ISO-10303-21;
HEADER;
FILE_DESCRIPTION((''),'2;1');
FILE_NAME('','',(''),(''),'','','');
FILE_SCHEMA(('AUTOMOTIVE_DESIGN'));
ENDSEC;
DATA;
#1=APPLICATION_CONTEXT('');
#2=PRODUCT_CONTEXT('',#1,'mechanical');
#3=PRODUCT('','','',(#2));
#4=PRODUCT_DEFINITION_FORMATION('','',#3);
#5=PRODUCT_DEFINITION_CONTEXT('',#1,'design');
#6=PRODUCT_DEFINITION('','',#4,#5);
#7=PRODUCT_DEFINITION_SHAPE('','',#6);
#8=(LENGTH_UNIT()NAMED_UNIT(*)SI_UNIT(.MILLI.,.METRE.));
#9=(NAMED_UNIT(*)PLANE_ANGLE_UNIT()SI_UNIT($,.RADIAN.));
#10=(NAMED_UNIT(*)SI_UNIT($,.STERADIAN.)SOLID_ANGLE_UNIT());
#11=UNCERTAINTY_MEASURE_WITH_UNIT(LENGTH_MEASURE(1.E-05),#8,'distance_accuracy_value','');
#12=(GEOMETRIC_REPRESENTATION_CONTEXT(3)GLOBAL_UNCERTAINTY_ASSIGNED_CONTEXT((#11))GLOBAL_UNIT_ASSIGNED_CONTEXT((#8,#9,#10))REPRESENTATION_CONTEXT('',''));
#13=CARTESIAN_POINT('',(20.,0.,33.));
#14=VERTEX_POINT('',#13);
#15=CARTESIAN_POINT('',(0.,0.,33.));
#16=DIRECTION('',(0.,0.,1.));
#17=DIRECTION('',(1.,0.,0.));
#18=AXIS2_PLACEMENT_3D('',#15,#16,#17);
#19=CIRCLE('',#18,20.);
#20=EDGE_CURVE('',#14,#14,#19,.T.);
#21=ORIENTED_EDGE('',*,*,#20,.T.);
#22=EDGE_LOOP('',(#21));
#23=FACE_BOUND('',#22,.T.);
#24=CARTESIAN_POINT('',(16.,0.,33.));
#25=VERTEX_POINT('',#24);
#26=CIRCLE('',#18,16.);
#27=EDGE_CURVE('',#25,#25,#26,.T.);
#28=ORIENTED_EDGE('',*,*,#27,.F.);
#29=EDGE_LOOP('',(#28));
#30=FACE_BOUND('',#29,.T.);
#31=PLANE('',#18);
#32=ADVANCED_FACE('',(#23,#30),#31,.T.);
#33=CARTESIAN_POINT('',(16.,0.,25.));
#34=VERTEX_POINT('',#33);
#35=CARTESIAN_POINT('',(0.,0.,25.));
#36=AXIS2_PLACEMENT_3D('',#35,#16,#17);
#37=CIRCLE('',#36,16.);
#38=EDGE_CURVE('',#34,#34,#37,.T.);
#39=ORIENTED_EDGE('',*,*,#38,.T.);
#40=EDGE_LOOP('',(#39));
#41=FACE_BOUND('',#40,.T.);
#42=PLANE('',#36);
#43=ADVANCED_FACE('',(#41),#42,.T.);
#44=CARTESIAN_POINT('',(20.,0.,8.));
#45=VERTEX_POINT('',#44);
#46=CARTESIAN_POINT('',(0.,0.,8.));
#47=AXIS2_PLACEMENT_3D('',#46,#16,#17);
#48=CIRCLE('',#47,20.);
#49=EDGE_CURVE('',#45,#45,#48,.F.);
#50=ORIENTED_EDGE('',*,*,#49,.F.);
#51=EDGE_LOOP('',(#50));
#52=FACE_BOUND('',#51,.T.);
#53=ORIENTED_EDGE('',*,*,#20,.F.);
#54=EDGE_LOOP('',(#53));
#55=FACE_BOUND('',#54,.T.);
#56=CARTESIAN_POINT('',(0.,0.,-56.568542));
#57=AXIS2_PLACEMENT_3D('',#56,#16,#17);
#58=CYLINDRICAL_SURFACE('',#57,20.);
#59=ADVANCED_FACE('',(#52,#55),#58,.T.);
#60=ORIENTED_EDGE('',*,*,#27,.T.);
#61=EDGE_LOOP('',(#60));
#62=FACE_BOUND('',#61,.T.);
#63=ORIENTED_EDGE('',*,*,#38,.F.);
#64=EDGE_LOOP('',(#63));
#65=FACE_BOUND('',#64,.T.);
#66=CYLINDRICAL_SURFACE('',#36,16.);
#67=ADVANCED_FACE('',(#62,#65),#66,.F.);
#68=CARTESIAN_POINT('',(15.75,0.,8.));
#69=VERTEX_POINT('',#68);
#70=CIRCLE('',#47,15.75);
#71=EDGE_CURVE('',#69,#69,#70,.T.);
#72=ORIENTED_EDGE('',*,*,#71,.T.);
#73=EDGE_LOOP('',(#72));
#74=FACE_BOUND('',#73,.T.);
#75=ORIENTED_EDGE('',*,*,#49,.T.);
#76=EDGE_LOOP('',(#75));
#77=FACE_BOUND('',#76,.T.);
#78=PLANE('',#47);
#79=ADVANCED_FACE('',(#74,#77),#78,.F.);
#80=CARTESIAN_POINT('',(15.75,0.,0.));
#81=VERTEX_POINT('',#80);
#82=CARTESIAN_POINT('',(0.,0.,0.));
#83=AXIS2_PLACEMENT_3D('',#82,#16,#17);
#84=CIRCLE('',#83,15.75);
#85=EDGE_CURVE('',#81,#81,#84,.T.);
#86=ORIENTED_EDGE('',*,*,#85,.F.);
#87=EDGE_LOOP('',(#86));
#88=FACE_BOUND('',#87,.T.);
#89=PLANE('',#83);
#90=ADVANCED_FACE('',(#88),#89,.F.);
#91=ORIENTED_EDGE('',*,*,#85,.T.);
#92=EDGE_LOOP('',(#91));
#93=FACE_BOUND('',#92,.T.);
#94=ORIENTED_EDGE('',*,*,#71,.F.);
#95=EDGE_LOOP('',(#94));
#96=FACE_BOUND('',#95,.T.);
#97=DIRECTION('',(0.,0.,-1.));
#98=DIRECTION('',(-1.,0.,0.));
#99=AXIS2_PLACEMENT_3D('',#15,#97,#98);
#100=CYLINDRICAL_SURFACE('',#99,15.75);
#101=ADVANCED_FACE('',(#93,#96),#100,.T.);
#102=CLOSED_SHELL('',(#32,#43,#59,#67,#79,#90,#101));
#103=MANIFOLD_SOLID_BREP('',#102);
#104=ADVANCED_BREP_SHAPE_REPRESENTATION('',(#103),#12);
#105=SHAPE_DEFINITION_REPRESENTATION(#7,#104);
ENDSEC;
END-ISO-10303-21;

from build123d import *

# Parameters (mm, degrees)
SKETCH1_R           = 15.75
BOSS_EXTRUDE1_DEPTH = 33
SKETCH2_R           = 20
BOSS_EXTRUDE2_DEPTH = 25
SKETCH3_R           = 16
CUT_EXTRUDE1_DEPTH  = 8


with BuildPart() as part:
    # Sketch1 → Boss-Extrude1 (new body)
    with BuildSketch(Plane.XY):
        Circle(SKETCH1_R)
    extrude(amount=BOSS_EXTRUDE1_DEPTH)

    # Sketch2 → Boss-Extrude2 (add)
    with BuildSketch(Plane.XY.offset(33)):
        Circle(SKETCH2_R)
    extrude(amount=-BOSS_EXTRUDE2_DEPTH)

    # Sketch3 → Cut-Extrude1 (cut)
    with BuildSketch(Plane.XY.offset(33)):
        Circle(SKETCH3_R)
    extrude(amount=-CUT_EXTRUDE1_DEPTH, mode=Mode.SUBTRACT)


solid = part.part
